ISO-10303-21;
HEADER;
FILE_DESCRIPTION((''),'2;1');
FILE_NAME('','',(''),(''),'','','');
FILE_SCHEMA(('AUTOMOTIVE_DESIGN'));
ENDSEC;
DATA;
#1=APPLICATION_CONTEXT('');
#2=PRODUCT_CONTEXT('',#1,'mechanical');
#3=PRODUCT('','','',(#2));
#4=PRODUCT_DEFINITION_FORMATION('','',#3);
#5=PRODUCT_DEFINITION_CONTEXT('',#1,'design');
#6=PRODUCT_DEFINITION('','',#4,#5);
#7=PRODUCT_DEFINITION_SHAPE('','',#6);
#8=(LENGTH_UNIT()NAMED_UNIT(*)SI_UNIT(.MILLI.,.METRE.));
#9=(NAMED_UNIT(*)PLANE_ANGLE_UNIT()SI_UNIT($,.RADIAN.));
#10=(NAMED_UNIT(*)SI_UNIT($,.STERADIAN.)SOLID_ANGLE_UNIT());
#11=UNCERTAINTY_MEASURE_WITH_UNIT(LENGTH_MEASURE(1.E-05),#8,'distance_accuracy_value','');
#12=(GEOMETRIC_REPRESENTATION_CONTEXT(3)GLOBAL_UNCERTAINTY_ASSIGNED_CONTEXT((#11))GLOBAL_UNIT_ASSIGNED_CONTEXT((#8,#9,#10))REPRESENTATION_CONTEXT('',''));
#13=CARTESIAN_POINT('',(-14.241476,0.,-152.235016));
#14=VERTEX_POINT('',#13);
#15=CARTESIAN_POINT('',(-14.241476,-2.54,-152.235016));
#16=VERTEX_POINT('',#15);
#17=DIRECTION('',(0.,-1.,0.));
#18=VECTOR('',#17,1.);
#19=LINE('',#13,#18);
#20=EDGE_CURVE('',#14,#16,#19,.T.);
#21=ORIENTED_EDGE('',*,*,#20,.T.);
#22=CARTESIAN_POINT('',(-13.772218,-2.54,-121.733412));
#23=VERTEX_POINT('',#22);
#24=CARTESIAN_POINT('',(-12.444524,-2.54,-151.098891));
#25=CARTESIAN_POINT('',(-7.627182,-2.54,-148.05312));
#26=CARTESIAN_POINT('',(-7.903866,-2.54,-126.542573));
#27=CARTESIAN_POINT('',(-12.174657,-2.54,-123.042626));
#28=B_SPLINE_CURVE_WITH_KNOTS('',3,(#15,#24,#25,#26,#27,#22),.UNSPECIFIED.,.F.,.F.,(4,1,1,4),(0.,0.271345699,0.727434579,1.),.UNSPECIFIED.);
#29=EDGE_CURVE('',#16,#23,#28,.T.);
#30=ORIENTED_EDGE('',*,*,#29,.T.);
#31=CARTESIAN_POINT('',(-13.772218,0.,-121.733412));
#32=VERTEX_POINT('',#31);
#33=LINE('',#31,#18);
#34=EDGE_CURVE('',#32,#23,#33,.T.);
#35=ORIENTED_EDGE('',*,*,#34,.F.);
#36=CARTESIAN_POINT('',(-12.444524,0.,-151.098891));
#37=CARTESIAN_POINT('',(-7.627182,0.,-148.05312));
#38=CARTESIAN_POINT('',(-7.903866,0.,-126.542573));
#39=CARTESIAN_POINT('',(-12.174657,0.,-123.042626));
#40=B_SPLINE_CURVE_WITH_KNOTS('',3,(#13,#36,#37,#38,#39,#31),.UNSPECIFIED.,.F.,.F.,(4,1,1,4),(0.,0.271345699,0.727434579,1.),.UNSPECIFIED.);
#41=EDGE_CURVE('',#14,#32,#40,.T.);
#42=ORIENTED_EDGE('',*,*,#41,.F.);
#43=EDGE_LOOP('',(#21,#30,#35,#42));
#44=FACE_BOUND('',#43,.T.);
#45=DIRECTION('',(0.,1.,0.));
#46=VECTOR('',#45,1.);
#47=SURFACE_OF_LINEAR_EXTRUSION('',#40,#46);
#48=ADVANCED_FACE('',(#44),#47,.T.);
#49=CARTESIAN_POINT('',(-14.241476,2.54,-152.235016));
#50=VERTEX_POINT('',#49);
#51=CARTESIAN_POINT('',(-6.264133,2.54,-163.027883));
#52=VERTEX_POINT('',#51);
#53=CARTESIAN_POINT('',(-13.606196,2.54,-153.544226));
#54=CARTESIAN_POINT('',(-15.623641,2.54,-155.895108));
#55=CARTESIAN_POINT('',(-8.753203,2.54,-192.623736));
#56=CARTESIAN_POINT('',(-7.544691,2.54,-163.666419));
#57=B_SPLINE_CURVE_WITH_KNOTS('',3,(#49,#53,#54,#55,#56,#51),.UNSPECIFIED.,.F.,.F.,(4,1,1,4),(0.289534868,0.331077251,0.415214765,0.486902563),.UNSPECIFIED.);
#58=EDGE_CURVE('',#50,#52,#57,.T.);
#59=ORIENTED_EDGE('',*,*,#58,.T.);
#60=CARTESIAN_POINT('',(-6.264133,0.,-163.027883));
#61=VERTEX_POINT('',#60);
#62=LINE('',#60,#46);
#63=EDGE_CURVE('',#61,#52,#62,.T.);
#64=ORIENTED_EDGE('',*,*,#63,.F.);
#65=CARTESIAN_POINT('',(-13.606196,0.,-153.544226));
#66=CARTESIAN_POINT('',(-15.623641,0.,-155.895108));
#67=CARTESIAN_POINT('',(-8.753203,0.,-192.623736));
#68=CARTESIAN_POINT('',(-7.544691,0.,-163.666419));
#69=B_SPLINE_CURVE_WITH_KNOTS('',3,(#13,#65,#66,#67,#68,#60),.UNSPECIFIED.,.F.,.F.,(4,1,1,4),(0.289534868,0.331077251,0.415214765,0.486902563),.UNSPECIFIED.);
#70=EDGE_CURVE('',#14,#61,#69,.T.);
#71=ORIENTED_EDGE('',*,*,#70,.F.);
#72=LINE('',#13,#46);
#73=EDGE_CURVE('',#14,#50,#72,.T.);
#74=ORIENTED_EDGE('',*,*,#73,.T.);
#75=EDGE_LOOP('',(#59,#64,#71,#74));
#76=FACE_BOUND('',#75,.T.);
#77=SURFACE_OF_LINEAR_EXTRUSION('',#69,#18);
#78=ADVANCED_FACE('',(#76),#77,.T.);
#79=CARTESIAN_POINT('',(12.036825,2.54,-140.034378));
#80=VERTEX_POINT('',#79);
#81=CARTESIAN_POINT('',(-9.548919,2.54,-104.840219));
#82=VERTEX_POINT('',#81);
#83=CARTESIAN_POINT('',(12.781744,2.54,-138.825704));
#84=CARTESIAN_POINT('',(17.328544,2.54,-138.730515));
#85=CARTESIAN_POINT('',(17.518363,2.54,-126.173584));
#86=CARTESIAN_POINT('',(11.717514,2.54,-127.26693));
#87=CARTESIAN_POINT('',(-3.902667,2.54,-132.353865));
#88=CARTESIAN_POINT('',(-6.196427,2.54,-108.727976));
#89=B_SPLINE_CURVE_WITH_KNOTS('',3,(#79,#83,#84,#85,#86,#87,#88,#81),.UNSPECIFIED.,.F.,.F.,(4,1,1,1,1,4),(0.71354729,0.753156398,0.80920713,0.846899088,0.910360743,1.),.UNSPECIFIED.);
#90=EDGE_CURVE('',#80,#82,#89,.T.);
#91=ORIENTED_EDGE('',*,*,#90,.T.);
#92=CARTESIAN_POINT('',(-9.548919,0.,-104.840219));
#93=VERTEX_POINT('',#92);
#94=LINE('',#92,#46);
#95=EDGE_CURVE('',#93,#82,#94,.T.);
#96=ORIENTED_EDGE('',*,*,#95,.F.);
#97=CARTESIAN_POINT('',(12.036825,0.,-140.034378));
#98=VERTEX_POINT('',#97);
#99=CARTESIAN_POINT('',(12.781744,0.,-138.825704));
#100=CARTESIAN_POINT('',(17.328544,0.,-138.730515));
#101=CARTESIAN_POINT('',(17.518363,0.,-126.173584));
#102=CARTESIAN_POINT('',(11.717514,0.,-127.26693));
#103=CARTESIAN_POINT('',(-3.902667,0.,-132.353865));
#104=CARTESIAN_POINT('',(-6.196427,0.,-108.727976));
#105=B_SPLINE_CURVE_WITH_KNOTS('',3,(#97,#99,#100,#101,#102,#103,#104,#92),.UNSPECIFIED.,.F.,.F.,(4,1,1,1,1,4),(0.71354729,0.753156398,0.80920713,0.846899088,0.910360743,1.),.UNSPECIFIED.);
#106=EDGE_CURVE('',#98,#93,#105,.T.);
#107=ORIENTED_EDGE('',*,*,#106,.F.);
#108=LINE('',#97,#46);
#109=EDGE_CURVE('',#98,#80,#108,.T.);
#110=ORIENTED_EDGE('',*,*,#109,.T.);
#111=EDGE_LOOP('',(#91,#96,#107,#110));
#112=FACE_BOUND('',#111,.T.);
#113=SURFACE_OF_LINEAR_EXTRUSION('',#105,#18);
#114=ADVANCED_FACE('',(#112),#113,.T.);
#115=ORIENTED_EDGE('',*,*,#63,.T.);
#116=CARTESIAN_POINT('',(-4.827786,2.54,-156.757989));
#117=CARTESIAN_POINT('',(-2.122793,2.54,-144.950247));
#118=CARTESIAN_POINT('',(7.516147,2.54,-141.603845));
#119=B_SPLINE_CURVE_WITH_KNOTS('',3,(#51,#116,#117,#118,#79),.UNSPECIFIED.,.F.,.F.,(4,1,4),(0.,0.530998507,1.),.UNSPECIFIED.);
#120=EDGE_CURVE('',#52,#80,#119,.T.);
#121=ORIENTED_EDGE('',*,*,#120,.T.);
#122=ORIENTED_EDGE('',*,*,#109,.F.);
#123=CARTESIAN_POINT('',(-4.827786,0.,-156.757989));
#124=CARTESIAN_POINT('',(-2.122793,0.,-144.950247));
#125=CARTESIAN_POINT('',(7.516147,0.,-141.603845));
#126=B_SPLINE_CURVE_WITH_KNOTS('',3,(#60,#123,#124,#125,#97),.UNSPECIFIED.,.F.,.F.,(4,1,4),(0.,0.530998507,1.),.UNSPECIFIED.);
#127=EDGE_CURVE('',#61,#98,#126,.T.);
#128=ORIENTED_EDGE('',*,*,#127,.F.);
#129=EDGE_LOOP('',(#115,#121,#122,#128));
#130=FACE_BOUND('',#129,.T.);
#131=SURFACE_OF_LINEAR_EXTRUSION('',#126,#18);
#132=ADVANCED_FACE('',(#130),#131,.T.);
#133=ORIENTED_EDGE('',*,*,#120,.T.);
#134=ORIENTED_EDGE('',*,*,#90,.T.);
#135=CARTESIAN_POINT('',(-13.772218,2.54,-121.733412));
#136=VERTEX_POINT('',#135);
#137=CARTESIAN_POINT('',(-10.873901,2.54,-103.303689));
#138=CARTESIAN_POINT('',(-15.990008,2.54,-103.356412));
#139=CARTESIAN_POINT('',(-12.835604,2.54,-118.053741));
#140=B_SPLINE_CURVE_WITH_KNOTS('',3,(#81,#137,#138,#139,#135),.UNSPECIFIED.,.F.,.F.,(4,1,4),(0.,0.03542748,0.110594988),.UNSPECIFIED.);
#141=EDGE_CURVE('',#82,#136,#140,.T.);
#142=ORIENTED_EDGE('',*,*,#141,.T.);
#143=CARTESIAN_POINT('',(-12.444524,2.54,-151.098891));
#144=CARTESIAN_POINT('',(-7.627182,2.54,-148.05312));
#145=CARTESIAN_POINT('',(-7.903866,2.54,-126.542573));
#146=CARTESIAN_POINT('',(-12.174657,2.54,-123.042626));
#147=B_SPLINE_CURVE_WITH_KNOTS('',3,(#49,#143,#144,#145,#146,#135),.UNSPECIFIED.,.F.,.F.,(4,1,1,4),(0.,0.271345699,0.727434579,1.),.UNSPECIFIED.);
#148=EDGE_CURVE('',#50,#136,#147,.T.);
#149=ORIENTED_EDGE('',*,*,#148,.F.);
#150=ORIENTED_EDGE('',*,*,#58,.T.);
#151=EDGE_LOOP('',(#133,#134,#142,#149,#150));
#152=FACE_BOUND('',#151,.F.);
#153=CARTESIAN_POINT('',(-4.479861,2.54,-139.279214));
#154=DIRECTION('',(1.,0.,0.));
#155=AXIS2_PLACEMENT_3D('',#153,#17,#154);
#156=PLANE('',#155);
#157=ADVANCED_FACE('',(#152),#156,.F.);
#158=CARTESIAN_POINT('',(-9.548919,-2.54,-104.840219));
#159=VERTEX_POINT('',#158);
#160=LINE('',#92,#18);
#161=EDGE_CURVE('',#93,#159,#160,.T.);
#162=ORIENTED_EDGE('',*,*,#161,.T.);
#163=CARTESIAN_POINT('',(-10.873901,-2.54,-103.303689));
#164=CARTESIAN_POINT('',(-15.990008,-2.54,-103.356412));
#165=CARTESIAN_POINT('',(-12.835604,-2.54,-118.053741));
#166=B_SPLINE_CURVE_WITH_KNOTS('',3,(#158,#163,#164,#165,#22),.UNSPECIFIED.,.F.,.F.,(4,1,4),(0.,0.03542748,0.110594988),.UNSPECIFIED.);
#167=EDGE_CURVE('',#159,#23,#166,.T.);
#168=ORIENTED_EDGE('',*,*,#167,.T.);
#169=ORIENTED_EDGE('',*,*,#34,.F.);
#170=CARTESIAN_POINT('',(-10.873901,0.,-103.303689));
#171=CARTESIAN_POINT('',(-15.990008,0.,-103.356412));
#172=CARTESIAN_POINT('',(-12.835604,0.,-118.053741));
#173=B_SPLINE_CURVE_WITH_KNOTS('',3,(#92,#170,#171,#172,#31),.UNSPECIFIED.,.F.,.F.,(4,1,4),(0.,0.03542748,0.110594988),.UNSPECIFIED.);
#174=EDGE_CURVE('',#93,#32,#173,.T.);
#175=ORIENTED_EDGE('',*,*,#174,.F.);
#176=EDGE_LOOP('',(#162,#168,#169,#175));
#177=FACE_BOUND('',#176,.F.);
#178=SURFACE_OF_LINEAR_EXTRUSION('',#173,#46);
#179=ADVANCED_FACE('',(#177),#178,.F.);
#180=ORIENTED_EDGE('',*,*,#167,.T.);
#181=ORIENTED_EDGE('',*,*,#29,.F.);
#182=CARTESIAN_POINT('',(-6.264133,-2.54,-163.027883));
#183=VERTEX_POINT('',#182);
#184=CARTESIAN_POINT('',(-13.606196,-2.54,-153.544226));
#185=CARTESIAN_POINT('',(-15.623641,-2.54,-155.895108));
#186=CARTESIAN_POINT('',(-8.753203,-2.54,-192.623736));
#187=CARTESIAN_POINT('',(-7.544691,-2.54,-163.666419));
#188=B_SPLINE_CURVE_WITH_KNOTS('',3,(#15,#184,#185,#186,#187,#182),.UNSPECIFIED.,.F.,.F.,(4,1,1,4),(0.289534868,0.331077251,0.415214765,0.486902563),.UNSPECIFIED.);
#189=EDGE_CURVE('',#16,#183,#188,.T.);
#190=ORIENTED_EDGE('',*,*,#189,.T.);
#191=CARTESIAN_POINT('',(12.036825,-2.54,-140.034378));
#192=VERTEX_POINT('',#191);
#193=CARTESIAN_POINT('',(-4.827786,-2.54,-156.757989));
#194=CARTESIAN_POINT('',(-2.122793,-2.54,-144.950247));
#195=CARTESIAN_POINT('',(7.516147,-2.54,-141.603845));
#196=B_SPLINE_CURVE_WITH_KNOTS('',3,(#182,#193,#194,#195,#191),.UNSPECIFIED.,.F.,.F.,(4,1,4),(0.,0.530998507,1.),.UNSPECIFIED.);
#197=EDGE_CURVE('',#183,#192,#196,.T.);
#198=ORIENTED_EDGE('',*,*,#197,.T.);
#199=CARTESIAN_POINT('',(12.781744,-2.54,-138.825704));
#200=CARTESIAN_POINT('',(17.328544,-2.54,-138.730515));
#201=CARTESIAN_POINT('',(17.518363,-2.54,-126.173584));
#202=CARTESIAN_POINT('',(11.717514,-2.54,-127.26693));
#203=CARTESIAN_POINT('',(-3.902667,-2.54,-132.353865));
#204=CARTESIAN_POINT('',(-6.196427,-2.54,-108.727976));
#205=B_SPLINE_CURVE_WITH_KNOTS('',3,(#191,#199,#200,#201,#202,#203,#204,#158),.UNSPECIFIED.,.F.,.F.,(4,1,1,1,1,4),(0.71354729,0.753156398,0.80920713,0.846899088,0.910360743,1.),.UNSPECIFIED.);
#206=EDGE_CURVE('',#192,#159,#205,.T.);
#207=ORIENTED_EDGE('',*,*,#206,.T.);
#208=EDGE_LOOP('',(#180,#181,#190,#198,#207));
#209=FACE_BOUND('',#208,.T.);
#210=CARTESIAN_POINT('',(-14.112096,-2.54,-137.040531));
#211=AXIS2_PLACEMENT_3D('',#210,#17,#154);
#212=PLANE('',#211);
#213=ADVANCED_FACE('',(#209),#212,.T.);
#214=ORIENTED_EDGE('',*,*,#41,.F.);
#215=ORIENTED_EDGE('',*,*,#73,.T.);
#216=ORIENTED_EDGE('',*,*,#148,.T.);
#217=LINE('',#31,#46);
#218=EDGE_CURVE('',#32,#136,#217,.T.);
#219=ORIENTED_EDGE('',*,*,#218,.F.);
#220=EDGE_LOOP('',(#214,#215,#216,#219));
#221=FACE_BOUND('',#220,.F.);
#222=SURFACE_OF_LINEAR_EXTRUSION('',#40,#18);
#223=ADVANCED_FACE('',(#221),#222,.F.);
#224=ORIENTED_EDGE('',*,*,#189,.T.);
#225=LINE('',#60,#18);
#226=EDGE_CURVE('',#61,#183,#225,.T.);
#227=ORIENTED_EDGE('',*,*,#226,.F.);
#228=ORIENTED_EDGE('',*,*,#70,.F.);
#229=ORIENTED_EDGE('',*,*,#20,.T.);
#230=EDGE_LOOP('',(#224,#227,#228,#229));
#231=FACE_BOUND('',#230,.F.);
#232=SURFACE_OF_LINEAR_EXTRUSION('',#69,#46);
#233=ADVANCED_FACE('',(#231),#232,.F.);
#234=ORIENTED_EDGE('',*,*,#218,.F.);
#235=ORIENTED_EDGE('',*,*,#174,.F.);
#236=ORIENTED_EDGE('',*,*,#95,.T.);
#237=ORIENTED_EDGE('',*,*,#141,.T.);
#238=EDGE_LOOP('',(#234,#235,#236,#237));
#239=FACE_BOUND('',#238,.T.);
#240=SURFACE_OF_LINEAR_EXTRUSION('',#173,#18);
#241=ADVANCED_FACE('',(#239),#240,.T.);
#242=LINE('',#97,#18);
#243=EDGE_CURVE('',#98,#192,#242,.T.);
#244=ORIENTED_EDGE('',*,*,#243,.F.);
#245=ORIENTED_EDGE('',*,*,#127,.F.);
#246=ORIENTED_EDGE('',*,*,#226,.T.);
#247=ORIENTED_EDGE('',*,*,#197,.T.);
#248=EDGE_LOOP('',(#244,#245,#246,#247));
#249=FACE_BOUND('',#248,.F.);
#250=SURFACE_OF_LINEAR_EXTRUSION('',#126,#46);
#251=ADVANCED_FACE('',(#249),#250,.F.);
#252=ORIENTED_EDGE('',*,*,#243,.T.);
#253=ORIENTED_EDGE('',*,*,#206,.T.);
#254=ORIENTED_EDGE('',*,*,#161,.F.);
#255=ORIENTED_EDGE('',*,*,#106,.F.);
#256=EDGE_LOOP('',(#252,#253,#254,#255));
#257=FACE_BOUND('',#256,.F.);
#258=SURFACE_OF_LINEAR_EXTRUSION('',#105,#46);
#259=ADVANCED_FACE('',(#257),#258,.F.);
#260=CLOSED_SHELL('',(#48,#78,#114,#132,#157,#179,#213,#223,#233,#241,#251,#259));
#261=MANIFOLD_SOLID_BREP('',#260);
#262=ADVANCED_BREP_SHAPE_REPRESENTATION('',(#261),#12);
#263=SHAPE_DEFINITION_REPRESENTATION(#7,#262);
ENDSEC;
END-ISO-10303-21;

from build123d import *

# Parameters (mm, degrees)
F1_DEPTH = 2.54
F2_DEPTH = 2.54
F3_DEPTH = 2.54
F4_DEPTH = 2.54


with BuildPart() as f1:
    # F0 (on Front) → F1 (new body)
    with BuildSketch(Plane.XZ):
        with BuildLine():
            add(Edge.make_bspline(
                [(12.0368245989, -140.0343775749), (12.7817436042, -138.825704238), (17.3285437732, -138.7305148389), (17.5183625619, -126.1735841215), (11.7175135389, -127.2669296634), (-3.9026672208, -132.3538652132), (-6.1964272485, -108.7279757575), (-9.5489192754, -104.8402190208)],
                knots=[0.7135472902, 0.7135472902, 0.7135472902, 0.7135472902, 0.7531563977, 0.80920713, 0.8468990879, 0.9103607431, 1, 1, 1, 1], degree=3))
            add(Edge.make_bspline(
                [(-9.5489192754, -104.8402190208), (-10.8739006372, -103.3036888296), (-15.9900079322, -103.3564118196), (-12.8356038525, -118.0537414817), (-13.7722184882, -121.7334121466)],
                knots=[0, 0, 0, 0, 0.0354274801, 0.1105949876, 0.1105949876, 0.1105949876, 0.1105949876], degree=3))
            add(Edge.make_bspline(
                [(-14.2414756119, -152.2350162268), (-12.444523763, -151.0988909153), (-7.6271822137, -148.053120005), (-7.903866364, -126.5425730186), (-12.1746572022, -123.0426262266), (-13.7722184882, -121.7334121466)],
                knots=[0, 0, 0, 0, 0.2713456995, 0.7274345793, 1, 1, 1, 1], degree=3))
            add(Edge.make_bspline(
                [(-14.2414756119, -152.2350162268), (-13.6061964372, -153.5442259612), (-15.6236414844, -155.8951076841), (-8.7532027803, -192.6237364148), (-7.5446910656, -163.666418584), (-6.2641329132, -163.027882576)],
                knots=[0.2895348678, 0.2895348678, 0.2895348678, 0.2895348678, 0.3310772514, 0.4152147646, 0.486902563, 0.486902563, 0.486902563, 0.486902563], degree=3))
            add(Edge.make_bspline(
                [(-6.2641329132, -163.027882576), (-4.8277859059, -156.7579891544), (-2.1227933502, -144.9502470535), (7.5161471222, -141.6038450923), (12.0368245989, -140.0343775749)],
                knots=[0, 0, 0, 0, 0.5309985066, 1, 1, 1, 1], degree=3))
        make_face()
    extrude(amount=F1_DEPTH)

    # F2 (add): a face of the model
    f2_faces = [f1.faces().sort_by_distance(p)[0] for p in [
        (-3.237570414, 0, -137.8044704799),
    ]]
    extrude(f2_faces, amount=F2_DEPTH)

    # F0 (on Front) → F3 (join)
    with BuildSketch(Plane.XZ):
        with BuildLine():
            add(Edge.make_bspline(
                [(-14.2414756119, -152.2350162268), (-12.444523763, -151.0988909153), (-7.6271822137, -148.053120005), (-7.903866364, -126.5425730186), (-12.1746572022, -123.0426262266), (-13.7722184882, -121.7334121466)],
                knots=[0, 0, 0, 0, 0.2713456995, 0.7274345793, 1, 1, 1, 1], degree=3))
            add(Edge.make_bspline(
                [(-13.7722184882, -121.7334121466), (-14.2810755508, -123.7325549474), (-18.3332958933, -124.1233164951), (-23.7916045432, -143.2701840119), (-15.1933963316, -150.2732584325), (-14.2414756119, -152.2350162268)],
                knots=[0.1105949876, 0.1105949876, 0.1105949876, 0.1105949876, 0.1514330395, 0.2272865567, 0.2895348678, 0.2895348678, 0.2895348678, 0.2895348678], degree=3))
        make_face()
        with BuildLine():
            add(Edge.make_bspline(
                [(-6.2641329132, -163.027882576), (-5.0730145044, -162.4339446963), (-0.9426731227, -186.0152017533), (16.3331137679, -156.1685880213), (10.6234398374, -142.327674516), (12.0368245989, -140.0343775749)],
                knots=[0.486902563, 0.486902563, 0.486902563, 0.486902563, 0.5535833741, 0.6383942756, 0.7135472902, 0.7135472902, 0.7135472902, 0.7135472902], degree=3))
            add(Edge.make_bspline(
                [(-6.2641329132, -163.027882576), (-4.8277859059, -156.7579891544), (-2.1227933502, -144.9502470535), (7.5161471222, -141.6038450923), (12.0368245989, -140.0343775749)],
                knots=[0, 0, 0, 0, 0.5309985066, 1, 1, 1, 1], degree=3))
        make_face()
    extrude(amount=F3_DEPTH)

    # F0 (on Front) → F4 (cut)
    with BuildSketch(Plane.XZ):
        with BuildLine():
            add(Edge.make_bspline(
                [(-6.2641329132, -163.027882576), (-5.0730145044, -162.4339446963), (-0.9426731227, -186.0152017533), (16.3331137679, -156.1685880213), (10.6234398374, -142.327674516), (12.0368245989, -140.0343775749)],
                knots=[0.486902563, 0.486902563, 0.486902563, 0.486902563, 0.5535833741, 0.6383942756, 0.7135472902, 0.7135472902, 0.7135472902, 0.7135472902], degree=3))
            add(Edge.make_bspline(
                [(-6.2641329132, -163.027882576), (-4.8277859059, -156.7579891544), (-2.1227933502, -144.9502470535), (7.5161471222, -141.6038450923), (12.0368245989, -140.0343775749)],
                knots=[0, 0, 0, 0, 0.5309985066, 1, 1, 1, 1], degree=3))
        make_face()
        with BuildLine():
            add(Edge.make_bspline(
                [(-14.2414756119, -152.2350162268), (-12.444523763, -151.0988909153), (-7.6271822137, -148.053120005), (-7.903866364, -126.5425730186), (-12.1746572022, -123.0426262266), (-13.7722184882, -121.7334121466)],
                knots=[0, 0, 0, 0, 0.2713456995, 0.7274345793, 1, 1, 1, 1], degree=3))
            add(Edge.make_bspline(
                [(-13.7722184882, -121.7334121466), (-14.2810755508, -123.7325549474), (-18.3332958933, -124.1233164951), (-23.7916045432, -143.2701840119), (-15.1933963316, -150.2732584325), (-14.2414756119, -152.2350162268)],
                knots=[0.1105949876, 0.1105949876, 0.1105949876, 0.1105949876, 0.1514330395, 0.2272865567, 0.2895348678, 0.2895348678, 0.2895348678, 0.2895348678], degree=3))
        make_face()
    extrude(amount=F4_DEPTH, mode=Mode.SUBTRACT)


solid = f1.part
